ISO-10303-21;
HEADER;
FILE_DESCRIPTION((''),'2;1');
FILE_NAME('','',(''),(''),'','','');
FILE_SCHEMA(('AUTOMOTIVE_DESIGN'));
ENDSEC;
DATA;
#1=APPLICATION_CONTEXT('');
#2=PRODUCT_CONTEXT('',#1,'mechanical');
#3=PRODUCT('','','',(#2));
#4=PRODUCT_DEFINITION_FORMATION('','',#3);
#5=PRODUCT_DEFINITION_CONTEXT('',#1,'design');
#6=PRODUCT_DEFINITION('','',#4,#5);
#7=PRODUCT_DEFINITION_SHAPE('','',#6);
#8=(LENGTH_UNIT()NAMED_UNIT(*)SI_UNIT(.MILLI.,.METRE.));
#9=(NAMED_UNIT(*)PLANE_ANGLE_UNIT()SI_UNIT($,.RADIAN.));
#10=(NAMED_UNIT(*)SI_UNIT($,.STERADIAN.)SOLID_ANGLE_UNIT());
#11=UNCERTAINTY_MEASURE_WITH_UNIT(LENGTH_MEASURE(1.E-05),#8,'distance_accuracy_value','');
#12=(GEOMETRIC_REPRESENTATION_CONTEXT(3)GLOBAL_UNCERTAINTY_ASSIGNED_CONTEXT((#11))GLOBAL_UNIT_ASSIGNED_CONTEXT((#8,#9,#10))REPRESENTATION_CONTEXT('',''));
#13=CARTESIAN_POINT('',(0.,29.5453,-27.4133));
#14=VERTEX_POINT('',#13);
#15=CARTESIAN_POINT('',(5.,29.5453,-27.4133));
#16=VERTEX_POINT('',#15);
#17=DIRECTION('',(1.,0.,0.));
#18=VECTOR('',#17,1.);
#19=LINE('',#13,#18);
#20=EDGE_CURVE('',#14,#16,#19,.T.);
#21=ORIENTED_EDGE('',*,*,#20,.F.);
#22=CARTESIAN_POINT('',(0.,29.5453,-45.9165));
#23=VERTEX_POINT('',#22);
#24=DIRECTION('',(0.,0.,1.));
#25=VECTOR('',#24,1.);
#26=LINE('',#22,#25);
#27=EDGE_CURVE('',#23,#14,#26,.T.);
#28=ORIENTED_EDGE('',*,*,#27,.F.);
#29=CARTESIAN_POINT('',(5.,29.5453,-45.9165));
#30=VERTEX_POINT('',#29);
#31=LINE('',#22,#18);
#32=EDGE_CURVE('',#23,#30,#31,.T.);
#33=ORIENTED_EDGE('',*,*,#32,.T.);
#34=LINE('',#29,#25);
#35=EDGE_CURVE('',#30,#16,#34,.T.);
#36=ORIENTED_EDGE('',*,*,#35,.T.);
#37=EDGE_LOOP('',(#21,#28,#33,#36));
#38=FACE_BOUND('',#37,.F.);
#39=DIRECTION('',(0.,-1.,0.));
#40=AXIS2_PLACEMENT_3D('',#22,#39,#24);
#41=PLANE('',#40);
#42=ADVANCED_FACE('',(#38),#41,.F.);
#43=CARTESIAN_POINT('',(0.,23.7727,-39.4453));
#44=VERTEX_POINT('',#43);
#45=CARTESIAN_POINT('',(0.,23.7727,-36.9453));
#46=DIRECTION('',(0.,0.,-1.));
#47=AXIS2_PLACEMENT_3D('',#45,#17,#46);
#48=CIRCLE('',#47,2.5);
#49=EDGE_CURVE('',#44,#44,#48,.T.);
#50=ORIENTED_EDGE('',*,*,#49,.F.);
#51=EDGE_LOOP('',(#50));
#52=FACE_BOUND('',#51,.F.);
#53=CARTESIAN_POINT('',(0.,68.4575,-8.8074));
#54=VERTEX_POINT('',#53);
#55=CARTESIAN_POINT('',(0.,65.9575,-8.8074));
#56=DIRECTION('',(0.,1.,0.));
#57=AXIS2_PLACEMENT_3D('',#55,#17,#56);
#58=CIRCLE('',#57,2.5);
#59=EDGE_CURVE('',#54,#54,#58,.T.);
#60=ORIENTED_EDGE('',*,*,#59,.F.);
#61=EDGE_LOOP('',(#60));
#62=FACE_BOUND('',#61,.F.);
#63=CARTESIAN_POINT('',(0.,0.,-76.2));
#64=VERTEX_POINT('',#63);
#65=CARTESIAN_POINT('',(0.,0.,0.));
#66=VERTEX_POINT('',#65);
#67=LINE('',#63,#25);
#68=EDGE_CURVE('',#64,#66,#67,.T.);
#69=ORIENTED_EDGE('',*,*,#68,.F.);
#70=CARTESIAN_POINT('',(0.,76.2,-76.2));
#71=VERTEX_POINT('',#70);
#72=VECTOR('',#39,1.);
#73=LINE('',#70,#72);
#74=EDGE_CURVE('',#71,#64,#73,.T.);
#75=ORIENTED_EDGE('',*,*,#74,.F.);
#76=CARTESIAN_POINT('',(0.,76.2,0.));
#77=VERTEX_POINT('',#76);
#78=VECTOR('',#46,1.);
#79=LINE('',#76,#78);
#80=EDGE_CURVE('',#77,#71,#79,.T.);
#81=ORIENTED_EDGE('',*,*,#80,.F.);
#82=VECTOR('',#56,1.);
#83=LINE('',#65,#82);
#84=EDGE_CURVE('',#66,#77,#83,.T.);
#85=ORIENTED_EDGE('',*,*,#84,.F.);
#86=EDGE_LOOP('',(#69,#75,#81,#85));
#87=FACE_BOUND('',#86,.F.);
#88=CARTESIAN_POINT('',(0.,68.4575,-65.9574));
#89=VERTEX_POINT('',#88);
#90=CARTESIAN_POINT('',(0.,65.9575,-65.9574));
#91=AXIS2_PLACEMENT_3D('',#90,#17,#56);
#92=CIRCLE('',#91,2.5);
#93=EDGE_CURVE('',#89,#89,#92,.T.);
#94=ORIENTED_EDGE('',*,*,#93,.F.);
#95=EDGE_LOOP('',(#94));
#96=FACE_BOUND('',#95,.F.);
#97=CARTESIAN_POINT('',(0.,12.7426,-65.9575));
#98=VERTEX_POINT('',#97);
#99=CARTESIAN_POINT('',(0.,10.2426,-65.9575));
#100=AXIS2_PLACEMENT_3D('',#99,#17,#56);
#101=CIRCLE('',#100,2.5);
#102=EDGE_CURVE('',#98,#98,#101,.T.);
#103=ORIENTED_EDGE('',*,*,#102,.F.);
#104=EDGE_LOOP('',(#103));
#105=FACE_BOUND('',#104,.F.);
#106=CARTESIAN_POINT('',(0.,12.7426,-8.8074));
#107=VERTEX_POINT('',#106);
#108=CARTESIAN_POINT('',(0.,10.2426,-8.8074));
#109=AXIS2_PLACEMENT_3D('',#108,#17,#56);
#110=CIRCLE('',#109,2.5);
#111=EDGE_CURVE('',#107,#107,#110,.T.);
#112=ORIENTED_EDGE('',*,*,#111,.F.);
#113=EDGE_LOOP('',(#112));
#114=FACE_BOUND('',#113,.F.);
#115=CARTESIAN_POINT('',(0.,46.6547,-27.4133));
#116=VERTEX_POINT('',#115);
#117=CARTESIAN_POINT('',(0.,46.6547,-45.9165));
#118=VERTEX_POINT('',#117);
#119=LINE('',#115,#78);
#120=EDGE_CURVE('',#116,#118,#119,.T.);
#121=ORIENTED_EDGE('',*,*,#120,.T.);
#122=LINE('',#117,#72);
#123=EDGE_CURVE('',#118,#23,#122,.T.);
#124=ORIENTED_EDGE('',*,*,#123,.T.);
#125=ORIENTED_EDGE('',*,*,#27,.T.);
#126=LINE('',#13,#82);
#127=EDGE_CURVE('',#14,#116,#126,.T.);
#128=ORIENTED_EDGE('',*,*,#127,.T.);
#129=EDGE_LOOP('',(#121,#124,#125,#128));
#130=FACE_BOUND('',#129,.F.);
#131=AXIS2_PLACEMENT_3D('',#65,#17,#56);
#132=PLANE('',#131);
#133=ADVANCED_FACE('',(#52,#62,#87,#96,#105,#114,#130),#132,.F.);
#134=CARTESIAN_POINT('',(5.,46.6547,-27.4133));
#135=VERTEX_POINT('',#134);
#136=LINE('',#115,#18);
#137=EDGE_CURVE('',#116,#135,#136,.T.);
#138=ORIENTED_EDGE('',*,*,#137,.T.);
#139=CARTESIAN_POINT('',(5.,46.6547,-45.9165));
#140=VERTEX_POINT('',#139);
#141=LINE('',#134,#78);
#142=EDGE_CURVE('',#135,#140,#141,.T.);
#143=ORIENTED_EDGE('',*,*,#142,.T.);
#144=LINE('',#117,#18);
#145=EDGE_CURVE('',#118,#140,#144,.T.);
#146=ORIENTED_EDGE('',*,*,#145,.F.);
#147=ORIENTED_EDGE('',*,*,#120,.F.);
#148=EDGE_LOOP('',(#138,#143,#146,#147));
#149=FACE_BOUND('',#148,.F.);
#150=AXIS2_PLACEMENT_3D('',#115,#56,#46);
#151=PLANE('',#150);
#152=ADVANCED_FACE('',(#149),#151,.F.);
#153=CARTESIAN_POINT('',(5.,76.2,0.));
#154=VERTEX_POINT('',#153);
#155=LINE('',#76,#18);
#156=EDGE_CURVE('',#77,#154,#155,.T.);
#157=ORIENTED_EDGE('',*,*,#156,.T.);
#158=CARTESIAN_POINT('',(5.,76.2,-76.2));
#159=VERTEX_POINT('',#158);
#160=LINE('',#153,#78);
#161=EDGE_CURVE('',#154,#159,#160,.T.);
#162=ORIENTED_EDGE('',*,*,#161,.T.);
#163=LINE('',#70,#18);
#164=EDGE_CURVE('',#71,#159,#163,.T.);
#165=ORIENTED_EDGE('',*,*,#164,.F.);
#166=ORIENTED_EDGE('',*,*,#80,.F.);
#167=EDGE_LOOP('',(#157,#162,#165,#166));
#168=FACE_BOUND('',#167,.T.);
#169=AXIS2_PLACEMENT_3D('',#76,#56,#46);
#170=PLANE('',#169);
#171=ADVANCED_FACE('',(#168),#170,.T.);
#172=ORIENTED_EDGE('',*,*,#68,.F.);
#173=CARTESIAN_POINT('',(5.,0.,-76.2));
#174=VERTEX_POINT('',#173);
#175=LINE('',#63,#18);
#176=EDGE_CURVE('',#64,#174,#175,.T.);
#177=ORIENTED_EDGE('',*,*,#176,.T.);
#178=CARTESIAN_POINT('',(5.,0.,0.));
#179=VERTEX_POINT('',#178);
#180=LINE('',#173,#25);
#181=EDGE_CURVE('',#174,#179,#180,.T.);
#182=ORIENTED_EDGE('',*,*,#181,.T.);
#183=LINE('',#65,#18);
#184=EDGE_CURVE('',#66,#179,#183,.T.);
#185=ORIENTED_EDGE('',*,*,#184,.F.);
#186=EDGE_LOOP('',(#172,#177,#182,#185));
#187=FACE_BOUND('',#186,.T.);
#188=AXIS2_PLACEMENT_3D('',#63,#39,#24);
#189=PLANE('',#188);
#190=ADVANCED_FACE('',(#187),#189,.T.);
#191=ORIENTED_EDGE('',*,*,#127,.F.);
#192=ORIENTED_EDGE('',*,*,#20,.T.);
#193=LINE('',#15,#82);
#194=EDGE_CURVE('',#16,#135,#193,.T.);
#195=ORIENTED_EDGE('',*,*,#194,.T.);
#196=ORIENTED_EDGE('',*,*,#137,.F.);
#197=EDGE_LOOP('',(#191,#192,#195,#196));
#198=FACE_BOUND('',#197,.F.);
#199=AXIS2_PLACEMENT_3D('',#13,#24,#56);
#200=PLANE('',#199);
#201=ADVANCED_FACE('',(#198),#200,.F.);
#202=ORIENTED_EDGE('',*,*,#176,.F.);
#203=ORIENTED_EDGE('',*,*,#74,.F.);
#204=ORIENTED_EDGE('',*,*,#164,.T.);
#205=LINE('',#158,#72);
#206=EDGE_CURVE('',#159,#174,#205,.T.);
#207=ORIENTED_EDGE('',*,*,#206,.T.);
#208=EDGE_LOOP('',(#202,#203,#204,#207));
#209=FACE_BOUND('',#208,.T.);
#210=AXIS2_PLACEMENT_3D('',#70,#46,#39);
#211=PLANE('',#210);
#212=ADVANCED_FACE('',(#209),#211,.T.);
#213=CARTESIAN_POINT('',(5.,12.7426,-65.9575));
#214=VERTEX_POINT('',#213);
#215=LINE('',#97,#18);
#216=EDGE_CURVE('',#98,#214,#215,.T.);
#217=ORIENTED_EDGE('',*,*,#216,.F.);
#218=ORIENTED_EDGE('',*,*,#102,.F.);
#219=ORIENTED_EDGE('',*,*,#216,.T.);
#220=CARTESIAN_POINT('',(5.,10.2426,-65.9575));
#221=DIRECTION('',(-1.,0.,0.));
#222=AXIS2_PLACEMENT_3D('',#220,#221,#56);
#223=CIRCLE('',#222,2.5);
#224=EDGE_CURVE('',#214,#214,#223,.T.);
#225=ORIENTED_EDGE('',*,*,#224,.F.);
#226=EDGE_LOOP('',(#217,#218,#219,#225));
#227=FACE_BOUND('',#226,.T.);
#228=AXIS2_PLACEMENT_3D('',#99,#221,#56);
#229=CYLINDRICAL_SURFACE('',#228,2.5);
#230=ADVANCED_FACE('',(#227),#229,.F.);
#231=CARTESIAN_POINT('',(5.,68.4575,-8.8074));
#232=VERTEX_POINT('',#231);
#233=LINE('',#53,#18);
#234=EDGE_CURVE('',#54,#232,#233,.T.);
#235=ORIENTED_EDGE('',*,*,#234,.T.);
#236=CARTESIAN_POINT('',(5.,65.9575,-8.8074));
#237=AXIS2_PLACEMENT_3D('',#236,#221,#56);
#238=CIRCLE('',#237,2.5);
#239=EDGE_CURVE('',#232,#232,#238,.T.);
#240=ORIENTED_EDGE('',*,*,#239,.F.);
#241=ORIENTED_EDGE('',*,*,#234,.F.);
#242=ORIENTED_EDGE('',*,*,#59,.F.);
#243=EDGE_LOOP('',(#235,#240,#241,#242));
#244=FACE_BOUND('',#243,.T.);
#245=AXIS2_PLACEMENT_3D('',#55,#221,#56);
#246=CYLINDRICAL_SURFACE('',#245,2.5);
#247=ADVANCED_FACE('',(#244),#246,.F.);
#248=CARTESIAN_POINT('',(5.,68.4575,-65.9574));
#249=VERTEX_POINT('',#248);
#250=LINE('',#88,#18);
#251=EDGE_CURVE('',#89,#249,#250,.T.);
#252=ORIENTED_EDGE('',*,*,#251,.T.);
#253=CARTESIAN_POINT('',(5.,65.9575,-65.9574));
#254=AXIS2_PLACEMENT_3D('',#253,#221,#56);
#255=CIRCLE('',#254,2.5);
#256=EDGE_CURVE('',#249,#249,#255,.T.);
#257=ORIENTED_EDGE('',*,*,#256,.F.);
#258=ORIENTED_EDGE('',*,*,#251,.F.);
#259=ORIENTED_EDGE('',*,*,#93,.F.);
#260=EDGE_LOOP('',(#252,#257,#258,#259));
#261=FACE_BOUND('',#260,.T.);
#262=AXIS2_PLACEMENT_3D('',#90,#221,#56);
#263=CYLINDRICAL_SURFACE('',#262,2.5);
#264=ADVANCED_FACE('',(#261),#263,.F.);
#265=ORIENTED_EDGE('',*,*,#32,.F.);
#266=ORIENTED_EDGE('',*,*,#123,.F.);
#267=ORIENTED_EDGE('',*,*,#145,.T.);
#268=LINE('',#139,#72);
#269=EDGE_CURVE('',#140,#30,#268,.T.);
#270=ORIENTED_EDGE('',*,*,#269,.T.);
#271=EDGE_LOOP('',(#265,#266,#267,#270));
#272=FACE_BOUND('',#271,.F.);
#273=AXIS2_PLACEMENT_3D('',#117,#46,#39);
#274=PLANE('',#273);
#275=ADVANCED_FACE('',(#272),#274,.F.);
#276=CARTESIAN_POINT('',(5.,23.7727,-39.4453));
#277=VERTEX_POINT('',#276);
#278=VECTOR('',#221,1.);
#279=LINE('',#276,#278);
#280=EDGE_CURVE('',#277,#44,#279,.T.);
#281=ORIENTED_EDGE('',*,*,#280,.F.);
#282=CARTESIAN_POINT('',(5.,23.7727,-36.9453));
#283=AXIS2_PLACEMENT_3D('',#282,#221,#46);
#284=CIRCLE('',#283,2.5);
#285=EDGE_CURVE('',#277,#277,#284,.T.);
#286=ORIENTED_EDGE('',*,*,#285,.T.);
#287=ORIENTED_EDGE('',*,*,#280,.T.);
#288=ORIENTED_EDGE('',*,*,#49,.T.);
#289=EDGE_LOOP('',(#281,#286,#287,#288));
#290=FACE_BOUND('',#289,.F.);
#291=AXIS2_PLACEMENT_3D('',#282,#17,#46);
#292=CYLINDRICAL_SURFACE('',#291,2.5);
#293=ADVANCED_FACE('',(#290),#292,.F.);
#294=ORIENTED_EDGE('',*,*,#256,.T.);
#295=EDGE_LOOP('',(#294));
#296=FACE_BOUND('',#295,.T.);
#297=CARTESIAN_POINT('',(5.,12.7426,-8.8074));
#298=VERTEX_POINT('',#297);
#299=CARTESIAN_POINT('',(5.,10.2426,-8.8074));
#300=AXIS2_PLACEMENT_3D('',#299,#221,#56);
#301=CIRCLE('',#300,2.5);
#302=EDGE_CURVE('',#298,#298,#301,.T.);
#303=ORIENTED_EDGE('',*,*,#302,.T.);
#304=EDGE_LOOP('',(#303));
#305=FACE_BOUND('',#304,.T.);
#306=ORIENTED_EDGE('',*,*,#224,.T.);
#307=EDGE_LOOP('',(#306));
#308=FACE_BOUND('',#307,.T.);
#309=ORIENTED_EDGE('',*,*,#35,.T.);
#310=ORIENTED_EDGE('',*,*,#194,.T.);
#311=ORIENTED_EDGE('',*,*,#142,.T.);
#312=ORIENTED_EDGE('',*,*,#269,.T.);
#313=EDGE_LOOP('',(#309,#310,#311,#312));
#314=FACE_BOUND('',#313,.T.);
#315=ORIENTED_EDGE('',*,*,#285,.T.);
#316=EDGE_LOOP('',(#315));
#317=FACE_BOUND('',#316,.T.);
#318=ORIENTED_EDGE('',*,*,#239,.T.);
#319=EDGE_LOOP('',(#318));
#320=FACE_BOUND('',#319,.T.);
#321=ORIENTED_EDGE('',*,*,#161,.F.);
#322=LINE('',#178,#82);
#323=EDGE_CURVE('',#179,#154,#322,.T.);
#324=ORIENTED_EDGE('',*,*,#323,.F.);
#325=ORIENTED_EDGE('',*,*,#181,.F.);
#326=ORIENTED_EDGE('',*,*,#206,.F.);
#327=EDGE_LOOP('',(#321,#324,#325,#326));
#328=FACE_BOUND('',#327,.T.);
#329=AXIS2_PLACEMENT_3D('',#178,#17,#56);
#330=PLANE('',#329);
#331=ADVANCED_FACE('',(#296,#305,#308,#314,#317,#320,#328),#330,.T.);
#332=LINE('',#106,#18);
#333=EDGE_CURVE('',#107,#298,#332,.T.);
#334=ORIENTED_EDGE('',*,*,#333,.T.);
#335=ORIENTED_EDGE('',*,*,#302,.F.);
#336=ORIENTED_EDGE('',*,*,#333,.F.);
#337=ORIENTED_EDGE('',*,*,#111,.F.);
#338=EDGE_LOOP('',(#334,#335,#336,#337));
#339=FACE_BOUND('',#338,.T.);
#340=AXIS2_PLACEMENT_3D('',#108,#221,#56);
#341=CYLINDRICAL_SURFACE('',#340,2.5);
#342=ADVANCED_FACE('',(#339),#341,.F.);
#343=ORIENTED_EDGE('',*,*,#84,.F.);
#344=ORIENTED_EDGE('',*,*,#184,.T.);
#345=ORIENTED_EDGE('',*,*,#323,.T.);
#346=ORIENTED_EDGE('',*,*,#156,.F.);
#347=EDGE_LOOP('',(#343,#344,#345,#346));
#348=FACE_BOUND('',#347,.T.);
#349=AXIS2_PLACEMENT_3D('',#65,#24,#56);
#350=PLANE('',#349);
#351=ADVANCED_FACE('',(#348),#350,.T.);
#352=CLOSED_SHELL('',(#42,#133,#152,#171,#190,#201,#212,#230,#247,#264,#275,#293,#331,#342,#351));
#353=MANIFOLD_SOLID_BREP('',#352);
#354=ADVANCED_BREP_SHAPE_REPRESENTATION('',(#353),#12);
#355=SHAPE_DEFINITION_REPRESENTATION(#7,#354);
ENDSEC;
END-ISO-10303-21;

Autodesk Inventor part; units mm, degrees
ref_plane "YZ Plane" through (0, 0, 0) normal (1, 0, 0) x (0, 1, 0)
ref_plane "XZ Plane" through (0, 0, 0) normal (0, 1, 0) x (-1, 0, 0)
ref_plane "XY Plane" through (0, 0, 0) normal (0, 0, 1) x (1, 0, 0)
sketch "Sketch1" plane through (0, 0, 0) normal (1, 0, 0) x (0, 1, 0)
  line L0 (0, 0) -> (76.2, 0)
  line L1 (76.2, 0) -> (76.2, -76.2)
  line L2 (76.2, -76.2) -> (0, -76.2)
  line L3 (0, -76.2) -> (0, 0)
  line L4 (20.4851, -17.6149) -> (55.7149, -17.6149)
  line L5 (55.7149, -17.6149) -> (55.7149, -55.7149)
  line L6 (55.7149, -55.7149) -> (20.4851, -55.7149)
  line L7 (20.4851, -55.7149) -> (20.4851, -17.6149)
  line L8 (20.4851, -17.6149) -> (55.7149, -55.7149) construction
  line L9 (55.7149, -17.6149) -> (20.4851, -55.7149) construction
  line L10 (76.2, 0) -> (55.7149, -17.6149)
  line L11 (20.4851, -55.7149) -> (0, -76.2)
  line L12 (0, 0) -> (20.4851, -17.6149)
  line L13 (55.7149, -55.7149) -> (76.2, -76.2)
  circle A0 centre (65.9575, -8.8074) radius 2.5
  circle A1 centre (65.9575, -65.9574) radius 2.5
  circle A2 centre (10.2426, -65.9575) radius 2.5
  circle A3 centre (10.2426, -8.8074) radius 2.5
  line L14 (29.5453, -27.4133) -> (46.6547, -27.4133)
  line L15 (46.6547, -27.4133) -> (46.6547, -45.9165)
  line L16 (46.6547, -45.9165) -> (29.5453, -45.9165)
  line L17 (29.5453, -45.9165) -> (29.5453, -27.4133)
  line L18 (29.5453, -27.4133) -> (46.6547, -45.9165) construction
  line L19 (46.6547, -27.4133) -> (29.5453, -45.9165) construction
  point P0 (38.1, -36.6649)
  dimension "d0" = 76.2
  dimension "d1" = 76.2
  dimension "d2" = 35.2298
  dimension "d3" = 38.1
  dimension "d4" = 5
  dimension "d5" = 5
  dimension "d6" = 5
  dimension "d7" = 5
  dimension "d8" = 49.308
  dimension "d9" = 29.5453
extrude "Extrusion1" add sketch "Sketch1" along normal blind 5
extrude "Extrusion2" cut sketch "Sketch1" along normal blind 5 contours A3 L12 | L12 A3 | A0 L10 | L10 A0 | A2 L11 | L11 A2 | A1 L13 | L13 A1
sketch "Sketch2" plane through (5, 0, 0) normal (1, 0, 0) x (0, 0, -1)
  line L0 (76.2, 0) -> (76.2, 76.2) projected
  line L1 (27.4133, 29.5453) -> (76.2, 0)
  line L2 (45.9165, 29.5453) -> (0, 0)
  circle A0 centre (36.9453, 23.7727) radius 2.5
  line L3 (36.9453, 23.7727) -> (36.9453, 0)
  dimension "d14" = 5
  dimension "d19" = 23.7727
extrude "Extrusion3" cut sketch "Sketch2" against normal blind 25.4
thread "Thread1" size "M1x0.25" class "6H" standard "ISO Metric profile" full length
properties part number "plateform du bas"
